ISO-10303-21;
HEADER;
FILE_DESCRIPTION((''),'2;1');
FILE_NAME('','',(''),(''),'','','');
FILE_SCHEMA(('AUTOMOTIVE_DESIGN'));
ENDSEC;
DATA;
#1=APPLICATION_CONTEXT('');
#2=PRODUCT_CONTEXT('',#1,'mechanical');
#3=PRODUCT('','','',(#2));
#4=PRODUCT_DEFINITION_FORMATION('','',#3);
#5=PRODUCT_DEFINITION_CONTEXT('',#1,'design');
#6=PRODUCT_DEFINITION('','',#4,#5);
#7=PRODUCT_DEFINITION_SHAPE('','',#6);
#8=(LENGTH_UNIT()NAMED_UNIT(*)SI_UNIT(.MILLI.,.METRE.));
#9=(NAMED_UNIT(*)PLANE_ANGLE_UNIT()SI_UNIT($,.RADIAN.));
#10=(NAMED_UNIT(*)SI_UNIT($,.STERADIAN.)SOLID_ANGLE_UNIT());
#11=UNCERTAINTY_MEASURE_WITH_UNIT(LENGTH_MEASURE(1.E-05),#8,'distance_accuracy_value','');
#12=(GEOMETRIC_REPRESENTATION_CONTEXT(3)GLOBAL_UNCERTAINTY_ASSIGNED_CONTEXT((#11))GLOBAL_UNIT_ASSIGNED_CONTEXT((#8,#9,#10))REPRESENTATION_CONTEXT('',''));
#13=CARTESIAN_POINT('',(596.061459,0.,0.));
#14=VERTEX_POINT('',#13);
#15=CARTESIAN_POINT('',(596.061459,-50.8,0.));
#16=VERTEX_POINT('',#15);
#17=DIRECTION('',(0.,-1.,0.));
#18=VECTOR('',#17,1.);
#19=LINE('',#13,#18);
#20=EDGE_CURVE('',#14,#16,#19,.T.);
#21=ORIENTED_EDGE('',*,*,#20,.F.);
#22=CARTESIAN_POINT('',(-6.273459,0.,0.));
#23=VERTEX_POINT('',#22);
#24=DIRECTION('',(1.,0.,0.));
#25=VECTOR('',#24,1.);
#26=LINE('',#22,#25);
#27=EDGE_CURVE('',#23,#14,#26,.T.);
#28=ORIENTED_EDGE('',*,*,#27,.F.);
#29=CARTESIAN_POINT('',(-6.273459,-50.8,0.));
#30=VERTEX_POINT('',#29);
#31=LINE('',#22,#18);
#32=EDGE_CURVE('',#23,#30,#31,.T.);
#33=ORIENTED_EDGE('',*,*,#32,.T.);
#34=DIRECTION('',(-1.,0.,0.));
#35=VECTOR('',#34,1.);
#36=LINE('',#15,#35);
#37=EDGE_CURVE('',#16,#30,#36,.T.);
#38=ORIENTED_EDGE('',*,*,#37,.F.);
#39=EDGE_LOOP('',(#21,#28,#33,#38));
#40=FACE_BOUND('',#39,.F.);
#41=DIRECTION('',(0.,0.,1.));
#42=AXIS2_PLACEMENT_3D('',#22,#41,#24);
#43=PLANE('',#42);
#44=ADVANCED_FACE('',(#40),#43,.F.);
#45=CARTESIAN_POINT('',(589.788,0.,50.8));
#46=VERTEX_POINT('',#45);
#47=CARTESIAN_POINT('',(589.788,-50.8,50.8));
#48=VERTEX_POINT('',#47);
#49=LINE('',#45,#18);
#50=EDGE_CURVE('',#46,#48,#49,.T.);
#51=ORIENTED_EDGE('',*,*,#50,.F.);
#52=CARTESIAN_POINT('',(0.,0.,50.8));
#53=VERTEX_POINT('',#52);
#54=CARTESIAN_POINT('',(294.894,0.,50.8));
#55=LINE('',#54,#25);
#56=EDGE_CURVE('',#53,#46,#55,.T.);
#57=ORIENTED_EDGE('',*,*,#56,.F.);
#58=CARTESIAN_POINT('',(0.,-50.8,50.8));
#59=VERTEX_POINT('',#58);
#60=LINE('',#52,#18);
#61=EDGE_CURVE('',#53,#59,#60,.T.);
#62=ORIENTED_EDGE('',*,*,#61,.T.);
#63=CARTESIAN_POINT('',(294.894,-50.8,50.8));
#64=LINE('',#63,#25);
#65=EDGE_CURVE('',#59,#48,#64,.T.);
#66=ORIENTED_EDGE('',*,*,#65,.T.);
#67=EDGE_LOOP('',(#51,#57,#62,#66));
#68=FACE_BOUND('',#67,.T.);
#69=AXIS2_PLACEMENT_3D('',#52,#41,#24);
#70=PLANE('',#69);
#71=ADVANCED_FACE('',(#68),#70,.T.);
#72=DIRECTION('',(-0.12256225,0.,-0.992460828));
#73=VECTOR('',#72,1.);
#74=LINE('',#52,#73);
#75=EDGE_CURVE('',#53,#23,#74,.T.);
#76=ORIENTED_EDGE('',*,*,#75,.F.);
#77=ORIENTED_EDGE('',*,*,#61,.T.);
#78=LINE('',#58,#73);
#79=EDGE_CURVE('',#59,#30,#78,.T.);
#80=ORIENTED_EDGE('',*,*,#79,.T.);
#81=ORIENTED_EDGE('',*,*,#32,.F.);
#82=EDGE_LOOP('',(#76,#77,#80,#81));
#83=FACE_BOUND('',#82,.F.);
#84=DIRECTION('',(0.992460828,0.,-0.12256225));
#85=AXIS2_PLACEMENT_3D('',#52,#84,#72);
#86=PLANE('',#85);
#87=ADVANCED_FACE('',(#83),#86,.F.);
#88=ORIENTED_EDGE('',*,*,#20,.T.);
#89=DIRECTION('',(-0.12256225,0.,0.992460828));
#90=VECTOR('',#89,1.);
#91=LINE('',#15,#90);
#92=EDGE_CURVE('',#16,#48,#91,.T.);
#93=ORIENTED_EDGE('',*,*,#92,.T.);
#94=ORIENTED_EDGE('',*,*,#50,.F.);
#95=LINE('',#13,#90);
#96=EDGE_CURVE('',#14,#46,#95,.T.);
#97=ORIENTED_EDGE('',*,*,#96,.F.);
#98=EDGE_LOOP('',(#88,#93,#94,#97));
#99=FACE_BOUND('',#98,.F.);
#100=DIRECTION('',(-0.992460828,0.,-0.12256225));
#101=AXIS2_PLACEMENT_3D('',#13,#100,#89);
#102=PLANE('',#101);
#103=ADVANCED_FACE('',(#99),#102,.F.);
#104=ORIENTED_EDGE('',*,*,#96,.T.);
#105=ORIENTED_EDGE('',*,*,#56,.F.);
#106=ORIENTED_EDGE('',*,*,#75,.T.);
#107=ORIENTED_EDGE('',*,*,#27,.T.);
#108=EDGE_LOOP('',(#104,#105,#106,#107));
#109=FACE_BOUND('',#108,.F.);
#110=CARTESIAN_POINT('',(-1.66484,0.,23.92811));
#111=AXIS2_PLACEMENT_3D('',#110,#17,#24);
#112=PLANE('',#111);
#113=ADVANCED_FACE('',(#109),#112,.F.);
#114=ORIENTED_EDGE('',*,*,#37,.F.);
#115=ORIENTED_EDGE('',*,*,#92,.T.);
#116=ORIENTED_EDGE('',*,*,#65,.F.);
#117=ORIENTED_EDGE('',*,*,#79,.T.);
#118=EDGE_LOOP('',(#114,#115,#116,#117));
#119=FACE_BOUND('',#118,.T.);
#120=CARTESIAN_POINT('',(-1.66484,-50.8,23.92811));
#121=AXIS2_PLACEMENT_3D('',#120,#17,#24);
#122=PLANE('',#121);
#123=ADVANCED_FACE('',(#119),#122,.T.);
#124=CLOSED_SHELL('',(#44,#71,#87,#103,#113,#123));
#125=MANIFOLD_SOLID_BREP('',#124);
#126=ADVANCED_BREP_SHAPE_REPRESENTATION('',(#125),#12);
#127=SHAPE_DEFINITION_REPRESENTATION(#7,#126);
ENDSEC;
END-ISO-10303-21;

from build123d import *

# Parameters (mm, degrees)
F0_W     = 589.788
F0_H     = 50.8
F1_DEPTH = 50.8
F2_DEPTH = 50.8
F3_DEPTH = 50.8


with BuildPart() as f1:
    # F0 (on Front) → F1 (new body)
    with BuildSketch(Plane.XZ):
        with Locations((294.894, 25.4)):
            Rectangle(F0_W, F0_H)
    extrude(amount=F1_DEPTH)

    # F0 (on Front) → F2 (join)
    with BuildSketch(Plane.XZ):
        Polygon((589.788, 50.8), (589.788, 0), (596.061459, 0), align=None)
    extrude(amount=F2_DEPTH)

    # F0 (on Front) → F3 (join)
    with BuildSketch(Plane.XZ):
        Polygon((-6.273459, 0), (0, 0), (0, 50.8), align=None)
    extrude(amount=F3_DEPTH)


solid = f1.part
